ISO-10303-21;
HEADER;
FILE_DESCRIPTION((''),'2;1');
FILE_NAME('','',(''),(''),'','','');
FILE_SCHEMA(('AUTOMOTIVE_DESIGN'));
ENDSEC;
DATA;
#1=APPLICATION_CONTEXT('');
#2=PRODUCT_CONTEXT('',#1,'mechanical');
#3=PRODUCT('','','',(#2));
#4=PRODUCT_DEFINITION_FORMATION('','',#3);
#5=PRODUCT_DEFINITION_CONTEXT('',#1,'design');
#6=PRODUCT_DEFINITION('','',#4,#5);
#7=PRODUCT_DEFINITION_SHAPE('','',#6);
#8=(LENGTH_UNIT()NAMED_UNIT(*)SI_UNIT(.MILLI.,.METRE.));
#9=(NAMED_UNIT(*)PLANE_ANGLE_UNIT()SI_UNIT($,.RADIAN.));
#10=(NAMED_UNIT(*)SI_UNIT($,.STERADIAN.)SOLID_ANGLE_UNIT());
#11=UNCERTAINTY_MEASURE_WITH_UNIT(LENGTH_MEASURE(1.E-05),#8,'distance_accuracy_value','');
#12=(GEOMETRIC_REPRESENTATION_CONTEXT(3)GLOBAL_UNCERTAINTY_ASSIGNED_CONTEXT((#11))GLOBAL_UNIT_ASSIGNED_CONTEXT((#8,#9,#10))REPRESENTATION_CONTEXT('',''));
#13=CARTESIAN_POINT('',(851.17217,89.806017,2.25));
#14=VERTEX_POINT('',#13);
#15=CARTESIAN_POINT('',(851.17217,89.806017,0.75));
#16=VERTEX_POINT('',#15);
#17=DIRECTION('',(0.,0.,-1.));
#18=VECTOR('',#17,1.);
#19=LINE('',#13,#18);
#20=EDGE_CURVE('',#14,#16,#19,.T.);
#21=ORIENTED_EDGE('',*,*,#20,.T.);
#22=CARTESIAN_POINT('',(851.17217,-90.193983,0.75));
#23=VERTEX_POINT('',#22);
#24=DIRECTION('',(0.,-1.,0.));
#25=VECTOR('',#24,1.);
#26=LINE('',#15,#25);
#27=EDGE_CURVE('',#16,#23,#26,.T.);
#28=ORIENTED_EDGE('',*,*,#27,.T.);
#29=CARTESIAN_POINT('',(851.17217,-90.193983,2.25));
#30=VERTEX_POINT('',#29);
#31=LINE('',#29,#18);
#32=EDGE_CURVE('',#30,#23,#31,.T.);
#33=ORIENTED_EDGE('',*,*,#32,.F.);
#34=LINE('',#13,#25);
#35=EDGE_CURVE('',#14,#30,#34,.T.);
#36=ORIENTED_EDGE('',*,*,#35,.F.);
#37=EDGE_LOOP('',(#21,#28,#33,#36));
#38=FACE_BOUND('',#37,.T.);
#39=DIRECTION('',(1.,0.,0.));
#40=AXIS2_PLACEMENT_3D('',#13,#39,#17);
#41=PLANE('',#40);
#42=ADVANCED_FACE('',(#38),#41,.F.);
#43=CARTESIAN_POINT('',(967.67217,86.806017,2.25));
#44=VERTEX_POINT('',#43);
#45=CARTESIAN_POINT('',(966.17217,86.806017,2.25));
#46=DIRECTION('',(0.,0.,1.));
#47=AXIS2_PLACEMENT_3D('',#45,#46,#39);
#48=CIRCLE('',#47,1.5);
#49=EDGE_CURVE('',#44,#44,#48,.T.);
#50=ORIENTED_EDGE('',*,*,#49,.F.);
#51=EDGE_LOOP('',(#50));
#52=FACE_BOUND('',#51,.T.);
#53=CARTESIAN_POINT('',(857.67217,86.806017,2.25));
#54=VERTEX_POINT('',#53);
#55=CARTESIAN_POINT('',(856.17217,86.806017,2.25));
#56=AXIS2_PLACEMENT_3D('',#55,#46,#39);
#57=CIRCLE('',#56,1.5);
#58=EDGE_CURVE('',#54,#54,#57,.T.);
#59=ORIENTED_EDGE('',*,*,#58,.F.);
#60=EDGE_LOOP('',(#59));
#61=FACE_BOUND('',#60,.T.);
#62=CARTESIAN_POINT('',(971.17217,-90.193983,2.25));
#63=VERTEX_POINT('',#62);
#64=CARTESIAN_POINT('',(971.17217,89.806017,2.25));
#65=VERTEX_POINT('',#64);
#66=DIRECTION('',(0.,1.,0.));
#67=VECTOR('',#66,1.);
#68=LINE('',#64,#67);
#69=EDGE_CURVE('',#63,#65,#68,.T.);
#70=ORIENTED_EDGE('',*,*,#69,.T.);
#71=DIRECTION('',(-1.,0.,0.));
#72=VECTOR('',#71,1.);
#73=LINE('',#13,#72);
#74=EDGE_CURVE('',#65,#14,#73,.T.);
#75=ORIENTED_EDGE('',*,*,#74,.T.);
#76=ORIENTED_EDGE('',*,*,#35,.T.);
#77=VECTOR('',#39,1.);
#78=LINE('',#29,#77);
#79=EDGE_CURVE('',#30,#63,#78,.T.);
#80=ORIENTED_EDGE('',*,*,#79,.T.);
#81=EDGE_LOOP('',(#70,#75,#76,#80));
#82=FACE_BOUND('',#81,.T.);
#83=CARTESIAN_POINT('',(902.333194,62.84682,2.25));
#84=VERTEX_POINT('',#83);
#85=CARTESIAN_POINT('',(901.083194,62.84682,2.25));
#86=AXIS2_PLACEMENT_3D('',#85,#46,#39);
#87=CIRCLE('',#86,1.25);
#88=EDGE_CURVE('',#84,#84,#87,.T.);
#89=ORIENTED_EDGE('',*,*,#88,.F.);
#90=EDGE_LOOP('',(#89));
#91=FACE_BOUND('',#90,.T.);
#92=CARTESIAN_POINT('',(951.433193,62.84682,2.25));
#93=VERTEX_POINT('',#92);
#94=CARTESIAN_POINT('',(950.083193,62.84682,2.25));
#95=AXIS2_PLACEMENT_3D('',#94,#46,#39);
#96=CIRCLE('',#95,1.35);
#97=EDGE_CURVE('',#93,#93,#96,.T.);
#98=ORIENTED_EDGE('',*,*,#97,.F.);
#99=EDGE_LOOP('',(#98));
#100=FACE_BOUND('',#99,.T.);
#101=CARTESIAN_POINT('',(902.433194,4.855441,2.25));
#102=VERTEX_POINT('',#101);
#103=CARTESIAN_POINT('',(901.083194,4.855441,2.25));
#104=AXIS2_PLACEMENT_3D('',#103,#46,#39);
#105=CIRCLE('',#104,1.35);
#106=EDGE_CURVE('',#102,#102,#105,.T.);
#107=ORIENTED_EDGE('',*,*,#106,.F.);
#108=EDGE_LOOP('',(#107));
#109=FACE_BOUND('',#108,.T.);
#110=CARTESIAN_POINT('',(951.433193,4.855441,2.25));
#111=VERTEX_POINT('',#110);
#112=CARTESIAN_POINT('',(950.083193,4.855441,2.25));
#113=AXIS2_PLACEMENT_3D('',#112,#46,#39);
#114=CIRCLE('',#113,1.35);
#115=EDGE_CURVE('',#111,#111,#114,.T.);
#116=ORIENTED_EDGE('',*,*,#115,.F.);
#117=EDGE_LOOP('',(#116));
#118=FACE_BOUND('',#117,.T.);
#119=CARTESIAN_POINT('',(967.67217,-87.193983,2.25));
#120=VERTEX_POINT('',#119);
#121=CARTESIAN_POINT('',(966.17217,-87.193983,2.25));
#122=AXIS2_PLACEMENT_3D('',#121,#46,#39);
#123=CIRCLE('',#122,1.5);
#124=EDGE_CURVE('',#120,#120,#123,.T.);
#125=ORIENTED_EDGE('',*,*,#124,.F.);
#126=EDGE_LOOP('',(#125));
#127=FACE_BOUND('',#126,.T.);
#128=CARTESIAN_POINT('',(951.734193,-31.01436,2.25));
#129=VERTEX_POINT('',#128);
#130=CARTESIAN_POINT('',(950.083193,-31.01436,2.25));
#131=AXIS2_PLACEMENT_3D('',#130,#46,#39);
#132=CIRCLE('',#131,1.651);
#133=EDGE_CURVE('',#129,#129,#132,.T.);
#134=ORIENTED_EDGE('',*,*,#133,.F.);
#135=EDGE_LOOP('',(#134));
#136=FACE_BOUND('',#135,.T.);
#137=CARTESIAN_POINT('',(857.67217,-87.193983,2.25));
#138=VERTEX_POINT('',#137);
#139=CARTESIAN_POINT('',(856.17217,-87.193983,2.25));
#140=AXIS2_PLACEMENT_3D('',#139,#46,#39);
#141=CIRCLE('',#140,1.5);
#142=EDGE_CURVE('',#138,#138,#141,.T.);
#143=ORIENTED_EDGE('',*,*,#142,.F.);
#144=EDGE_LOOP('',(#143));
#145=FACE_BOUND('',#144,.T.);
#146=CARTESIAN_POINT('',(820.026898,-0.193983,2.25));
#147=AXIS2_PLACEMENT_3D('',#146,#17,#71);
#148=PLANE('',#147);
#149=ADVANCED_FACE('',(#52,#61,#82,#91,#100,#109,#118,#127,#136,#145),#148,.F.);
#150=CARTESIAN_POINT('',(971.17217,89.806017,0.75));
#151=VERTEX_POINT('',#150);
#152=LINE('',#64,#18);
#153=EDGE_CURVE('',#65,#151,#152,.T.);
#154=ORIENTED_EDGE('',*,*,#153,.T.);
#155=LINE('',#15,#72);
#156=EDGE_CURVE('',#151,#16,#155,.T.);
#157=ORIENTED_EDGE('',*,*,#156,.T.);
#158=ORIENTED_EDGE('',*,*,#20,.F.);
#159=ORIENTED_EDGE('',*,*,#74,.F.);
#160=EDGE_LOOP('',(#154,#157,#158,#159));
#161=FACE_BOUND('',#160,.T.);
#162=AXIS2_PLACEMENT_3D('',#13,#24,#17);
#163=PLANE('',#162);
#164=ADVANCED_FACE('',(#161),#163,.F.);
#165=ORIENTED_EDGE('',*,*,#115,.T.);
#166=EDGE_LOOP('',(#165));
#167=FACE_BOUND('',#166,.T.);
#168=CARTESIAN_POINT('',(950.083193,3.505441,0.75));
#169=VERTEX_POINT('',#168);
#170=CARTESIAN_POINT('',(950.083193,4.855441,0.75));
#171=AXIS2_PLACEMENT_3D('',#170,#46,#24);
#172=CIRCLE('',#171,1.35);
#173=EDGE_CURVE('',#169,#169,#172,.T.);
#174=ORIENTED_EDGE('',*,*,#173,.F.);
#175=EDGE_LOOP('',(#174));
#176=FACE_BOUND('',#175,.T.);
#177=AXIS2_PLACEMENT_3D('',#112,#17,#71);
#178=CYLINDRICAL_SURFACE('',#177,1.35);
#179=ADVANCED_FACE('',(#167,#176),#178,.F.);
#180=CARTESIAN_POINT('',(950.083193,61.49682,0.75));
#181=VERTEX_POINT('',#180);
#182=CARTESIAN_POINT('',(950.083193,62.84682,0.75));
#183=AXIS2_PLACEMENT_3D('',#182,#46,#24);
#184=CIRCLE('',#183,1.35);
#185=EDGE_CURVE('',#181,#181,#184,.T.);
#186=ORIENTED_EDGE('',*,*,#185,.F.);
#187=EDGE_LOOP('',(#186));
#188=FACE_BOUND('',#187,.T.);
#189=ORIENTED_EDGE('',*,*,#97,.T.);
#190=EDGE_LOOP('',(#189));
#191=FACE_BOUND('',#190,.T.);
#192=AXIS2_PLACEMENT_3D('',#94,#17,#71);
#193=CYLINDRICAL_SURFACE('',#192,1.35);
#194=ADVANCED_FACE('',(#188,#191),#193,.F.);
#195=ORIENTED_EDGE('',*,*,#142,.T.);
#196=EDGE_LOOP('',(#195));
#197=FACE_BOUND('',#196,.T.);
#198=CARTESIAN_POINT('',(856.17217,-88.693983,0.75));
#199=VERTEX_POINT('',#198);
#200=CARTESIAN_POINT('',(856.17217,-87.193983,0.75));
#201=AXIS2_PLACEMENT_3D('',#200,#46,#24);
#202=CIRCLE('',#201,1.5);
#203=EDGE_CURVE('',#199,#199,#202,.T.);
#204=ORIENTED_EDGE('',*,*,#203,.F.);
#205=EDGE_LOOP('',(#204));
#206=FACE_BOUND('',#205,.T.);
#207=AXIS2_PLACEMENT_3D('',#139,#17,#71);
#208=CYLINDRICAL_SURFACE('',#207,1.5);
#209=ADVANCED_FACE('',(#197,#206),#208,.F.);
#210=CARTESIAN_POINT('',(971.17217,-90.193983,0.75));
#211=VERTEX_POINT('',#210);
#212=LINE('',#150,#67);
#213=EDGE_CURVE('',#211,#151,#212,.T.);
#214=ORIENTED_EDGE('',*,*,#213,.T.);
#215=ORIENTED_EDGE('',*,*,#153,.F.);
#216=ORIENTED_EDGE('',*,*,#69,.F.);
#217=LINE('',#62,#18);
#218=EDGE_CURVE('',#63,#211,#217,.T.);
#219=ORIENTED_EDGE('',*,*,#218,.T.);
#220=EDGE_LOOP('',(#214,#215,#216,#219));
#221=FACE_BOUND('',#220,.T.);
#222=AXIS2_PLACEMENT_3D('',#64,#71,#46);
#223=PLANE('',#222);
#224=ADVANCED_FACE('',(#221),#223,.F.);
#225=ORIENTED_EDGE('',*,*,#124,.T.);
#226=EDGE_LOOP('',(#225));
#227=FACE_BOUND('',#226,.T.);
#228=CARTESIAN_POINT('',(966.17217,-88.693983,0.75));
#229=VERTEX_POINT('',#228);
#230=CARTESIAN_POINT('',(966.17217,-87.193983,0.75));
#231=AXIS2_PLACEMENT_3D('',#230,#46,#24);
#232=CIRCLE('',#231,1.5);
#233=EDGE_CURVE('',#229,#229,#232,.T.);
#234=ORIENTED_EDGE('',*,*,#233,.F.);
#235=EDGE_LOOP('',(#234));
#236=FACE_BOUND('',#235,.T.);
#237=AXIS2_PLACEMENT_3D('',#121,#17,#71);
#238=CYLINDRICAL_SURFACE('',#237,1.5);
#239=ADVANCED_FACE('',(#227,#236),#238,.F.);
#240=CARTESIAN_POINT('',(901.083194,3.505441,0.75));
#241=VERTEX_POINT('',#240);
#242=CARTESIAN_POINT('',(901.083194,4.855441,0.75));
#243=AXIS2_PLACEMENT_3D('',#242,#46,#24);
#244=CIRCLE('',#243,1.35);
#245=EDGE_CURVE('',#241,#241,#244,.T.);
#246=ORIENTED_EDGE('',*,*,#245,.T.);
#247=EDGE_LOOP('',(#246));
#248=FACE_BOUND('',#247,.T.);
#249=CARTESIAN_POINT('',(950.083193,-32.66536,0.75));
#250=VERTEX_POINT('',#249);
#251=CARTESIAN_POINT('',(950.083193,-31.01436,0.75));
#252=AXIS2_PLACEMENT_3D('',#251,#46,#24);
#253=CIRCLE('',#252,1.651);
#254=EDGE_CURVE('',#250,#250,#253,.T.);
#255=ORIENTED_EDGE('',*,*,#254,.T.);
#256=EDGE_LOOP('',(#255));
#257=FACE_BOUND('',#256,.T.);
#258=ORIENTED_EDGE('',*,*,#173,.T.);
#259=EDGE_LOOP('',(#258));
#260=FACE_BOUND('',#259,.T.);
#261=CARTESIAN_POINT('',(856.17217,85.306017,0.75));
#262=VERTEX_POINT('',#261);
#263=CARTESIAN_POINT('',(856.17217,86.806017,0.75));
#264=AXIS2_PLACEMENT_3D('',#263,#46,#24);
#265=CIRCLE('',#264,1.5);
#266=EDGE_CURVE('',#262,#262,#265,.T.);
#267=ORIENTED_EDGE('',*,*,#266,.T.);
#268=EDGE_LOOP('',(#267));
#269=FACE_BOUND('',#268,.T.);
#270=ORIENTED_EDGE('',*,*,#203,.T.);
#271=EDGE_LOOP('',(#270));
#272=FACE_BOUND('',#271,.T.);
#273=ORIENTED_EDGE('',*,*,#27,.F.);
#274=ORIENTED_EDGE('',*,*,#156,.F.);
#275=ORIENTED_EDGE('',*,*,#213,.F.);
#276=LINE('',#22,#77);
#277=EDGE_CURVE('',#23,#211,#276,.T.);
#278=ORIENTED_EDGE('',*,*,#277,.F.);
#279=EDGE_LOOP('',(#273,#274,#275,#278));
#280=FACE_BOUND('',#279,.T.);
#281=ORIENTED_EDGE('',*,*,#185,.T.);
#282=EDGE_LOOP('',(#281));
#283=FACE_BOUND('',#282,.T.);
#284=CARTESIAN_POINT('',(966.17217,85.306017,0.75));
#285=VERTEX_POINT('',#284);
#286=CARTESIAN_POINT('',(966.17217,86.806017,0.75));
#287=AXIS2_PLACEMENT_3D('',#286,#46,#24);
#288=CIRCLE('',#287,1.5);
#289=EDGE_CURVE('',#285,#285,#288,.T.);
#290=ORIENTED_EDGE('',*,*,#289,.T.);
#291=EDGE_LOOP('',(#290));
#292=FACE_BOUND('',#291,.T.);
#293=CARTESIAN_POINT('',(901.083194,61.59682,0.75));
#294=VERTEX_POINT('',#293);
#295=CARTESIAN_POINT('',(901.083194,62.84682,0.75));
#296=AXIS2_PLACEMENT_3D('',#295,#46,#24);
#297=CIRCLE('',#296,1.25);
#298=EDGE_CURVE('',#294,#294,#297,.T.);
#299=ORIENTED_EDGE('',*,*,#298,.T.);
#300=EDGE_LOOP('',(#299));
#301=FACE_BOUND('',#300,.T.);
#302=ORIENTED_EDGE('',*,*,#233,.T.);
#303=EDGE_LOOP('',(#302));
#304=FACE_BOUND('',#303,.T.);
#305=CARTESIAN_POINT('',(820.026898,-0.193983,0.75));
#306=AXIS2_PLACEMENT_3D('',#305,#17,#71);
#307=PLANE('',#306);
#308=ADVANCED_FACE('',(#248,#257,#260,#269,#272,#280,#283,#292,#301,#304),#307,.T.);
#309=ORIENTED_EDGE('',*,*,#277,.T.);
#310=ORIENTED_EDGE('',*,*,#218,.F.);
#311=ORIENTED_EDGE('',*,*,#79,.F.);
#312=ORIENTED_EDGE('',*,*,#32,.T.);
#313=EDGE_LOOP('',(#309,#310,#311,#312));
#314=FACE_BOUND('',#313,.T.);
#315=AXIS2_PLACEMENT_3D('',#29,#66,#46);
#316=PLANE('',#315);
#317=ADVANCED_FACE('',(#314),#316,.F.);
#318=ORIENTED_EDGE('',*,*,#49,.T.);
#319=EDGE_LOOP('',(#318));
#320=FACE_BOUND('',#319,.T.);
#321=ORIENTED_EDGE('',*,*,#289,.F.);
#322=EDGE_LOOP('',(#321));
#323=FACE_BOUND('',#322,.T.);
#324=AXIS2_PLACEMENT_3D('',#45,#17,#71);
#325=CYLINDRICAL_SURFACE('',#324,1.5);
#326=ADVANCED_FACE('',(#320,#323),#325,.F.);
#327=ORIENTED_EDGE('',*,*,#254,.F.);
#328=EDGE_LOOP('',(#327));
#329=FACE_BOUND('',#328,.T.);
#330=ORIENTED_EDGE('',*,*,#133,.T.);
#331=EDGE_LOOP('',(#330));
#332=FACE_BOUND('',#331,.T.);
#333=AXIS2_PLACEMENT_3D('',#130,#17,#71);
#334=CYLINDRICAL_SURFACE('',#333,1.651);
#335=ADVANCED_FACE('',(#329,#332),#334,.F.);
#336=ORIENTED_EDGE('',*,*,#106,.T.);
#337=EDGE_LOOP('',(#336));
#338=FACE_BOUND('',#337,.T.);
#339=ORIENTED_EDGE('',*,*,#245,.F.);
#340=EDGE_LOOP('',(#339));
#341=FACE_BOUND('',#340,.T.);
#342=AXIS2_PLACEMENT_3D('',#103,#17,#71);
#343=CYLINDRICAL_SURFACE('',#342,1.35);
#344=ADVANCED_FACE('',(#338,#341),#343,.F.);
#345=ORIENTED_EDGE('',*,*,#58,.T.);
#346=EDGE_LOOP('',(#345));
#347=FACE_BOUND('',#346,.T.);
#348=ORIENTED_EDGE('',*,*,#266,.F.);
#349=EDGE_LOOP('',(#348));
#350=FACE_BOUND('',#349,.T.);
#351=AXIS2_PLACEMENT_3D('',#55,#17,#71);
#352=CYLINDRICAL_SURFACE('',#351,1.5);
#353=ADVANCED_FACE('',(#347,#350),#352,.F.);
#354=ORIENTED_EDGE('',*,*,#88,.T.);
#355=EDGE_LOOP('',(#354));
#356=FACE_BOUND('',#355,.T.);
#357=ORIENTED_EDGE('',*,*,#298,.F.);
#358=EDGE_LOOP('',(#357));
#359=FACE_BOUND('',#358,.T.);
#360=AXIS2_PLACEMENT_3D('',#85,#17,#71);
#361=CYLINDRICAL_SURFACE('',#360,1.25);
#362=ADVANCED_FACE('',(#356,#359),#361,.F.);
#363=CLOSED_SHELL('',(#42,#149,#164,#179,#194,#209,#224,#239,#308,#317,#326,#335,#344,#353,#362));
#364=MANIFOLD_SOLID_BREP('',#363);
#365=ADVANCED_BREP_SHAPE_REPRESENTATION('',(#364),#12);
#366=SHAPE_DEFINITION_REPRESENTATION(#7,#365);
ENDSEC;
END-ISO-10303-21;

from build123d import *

# Parameters (mm, degrees)
SKETCH_1_W      = 1200
SKETCH_1_H      = 1800
SKETCH_1_R      = 15
SKETCH_1_R_2    = 13.5
SKETCH_1_R_3    = 12.5
SKETCH_1_R_4    = 16.51
EXTRUDE_1_DEPTH = 3
SCALE_1_SCALE_X = 0.1
SCALE_1_SCALE_Y = 0.1
SCALE_1_SCALE_Z = 0.5


with BuildPart() as part:
    # 草图1 → 凸台-拉伸1 (new body)
    with BuildSketch(Plane.XY):
        with Locations((911.452724683, 0)):
            Rectangle(SKETCH_1_W, SKETCH_1_H)
        with Locations((361.452724683, 870)):
            Circle(SKETCH_1_R, mode=Mode.SUBTRACT)
        with Locations((810.562965783, 50.494241768)):
            Circle(SKETCH_1_R_2, mode=Mode.SUBTRACT)
        with Locations((1300.562956283, 50.494241768)):
            Circle(SKETCH_1_R_2, mode=Mode.SUBTRACT)
        with Locations((1300.562956283, 630.408028512)):
            Circle(SKETCH_1_R_2, mode=Mode.SUBTRACT)
        with Locations((810.562965783, 630.40802886)):
            Circle(SKETCH_1_R_3, mode=Mode.SUBTRACT)
        with Locations((1461.452724683, 870)):
            Circle(SKETCH_1_R, mode=Mode.SUBTRACT)
        with Locations((361.452724683, -870)):
            Circle(SKETCH_1_R, mode=Mode.SUBTRACT)
        with Locations((1461.452724683, -870)):
            Circle(SKETCH_1_R, mode=Mode.SUBTRACT)
        with Locations((1300.562956283, -308.203766853)):
            Circle(SKETCH_1_R_4, mode=Mode.SUBTRACT)
    extrude(amount=EXTRUDE_1_DEPTH)


with BuildPart() as part_1:
    # 缩放比例1: scaled about (911.140997431, -0.215536981, 1.5)
    add(part.part.scale((SCALE_1_SCALE_X, SCALE_1_SCALE_Y, SCALE_1_SCALE_Z), about=(911.140997431, -0.215536981, 1.5)))


solid = part_1.part
